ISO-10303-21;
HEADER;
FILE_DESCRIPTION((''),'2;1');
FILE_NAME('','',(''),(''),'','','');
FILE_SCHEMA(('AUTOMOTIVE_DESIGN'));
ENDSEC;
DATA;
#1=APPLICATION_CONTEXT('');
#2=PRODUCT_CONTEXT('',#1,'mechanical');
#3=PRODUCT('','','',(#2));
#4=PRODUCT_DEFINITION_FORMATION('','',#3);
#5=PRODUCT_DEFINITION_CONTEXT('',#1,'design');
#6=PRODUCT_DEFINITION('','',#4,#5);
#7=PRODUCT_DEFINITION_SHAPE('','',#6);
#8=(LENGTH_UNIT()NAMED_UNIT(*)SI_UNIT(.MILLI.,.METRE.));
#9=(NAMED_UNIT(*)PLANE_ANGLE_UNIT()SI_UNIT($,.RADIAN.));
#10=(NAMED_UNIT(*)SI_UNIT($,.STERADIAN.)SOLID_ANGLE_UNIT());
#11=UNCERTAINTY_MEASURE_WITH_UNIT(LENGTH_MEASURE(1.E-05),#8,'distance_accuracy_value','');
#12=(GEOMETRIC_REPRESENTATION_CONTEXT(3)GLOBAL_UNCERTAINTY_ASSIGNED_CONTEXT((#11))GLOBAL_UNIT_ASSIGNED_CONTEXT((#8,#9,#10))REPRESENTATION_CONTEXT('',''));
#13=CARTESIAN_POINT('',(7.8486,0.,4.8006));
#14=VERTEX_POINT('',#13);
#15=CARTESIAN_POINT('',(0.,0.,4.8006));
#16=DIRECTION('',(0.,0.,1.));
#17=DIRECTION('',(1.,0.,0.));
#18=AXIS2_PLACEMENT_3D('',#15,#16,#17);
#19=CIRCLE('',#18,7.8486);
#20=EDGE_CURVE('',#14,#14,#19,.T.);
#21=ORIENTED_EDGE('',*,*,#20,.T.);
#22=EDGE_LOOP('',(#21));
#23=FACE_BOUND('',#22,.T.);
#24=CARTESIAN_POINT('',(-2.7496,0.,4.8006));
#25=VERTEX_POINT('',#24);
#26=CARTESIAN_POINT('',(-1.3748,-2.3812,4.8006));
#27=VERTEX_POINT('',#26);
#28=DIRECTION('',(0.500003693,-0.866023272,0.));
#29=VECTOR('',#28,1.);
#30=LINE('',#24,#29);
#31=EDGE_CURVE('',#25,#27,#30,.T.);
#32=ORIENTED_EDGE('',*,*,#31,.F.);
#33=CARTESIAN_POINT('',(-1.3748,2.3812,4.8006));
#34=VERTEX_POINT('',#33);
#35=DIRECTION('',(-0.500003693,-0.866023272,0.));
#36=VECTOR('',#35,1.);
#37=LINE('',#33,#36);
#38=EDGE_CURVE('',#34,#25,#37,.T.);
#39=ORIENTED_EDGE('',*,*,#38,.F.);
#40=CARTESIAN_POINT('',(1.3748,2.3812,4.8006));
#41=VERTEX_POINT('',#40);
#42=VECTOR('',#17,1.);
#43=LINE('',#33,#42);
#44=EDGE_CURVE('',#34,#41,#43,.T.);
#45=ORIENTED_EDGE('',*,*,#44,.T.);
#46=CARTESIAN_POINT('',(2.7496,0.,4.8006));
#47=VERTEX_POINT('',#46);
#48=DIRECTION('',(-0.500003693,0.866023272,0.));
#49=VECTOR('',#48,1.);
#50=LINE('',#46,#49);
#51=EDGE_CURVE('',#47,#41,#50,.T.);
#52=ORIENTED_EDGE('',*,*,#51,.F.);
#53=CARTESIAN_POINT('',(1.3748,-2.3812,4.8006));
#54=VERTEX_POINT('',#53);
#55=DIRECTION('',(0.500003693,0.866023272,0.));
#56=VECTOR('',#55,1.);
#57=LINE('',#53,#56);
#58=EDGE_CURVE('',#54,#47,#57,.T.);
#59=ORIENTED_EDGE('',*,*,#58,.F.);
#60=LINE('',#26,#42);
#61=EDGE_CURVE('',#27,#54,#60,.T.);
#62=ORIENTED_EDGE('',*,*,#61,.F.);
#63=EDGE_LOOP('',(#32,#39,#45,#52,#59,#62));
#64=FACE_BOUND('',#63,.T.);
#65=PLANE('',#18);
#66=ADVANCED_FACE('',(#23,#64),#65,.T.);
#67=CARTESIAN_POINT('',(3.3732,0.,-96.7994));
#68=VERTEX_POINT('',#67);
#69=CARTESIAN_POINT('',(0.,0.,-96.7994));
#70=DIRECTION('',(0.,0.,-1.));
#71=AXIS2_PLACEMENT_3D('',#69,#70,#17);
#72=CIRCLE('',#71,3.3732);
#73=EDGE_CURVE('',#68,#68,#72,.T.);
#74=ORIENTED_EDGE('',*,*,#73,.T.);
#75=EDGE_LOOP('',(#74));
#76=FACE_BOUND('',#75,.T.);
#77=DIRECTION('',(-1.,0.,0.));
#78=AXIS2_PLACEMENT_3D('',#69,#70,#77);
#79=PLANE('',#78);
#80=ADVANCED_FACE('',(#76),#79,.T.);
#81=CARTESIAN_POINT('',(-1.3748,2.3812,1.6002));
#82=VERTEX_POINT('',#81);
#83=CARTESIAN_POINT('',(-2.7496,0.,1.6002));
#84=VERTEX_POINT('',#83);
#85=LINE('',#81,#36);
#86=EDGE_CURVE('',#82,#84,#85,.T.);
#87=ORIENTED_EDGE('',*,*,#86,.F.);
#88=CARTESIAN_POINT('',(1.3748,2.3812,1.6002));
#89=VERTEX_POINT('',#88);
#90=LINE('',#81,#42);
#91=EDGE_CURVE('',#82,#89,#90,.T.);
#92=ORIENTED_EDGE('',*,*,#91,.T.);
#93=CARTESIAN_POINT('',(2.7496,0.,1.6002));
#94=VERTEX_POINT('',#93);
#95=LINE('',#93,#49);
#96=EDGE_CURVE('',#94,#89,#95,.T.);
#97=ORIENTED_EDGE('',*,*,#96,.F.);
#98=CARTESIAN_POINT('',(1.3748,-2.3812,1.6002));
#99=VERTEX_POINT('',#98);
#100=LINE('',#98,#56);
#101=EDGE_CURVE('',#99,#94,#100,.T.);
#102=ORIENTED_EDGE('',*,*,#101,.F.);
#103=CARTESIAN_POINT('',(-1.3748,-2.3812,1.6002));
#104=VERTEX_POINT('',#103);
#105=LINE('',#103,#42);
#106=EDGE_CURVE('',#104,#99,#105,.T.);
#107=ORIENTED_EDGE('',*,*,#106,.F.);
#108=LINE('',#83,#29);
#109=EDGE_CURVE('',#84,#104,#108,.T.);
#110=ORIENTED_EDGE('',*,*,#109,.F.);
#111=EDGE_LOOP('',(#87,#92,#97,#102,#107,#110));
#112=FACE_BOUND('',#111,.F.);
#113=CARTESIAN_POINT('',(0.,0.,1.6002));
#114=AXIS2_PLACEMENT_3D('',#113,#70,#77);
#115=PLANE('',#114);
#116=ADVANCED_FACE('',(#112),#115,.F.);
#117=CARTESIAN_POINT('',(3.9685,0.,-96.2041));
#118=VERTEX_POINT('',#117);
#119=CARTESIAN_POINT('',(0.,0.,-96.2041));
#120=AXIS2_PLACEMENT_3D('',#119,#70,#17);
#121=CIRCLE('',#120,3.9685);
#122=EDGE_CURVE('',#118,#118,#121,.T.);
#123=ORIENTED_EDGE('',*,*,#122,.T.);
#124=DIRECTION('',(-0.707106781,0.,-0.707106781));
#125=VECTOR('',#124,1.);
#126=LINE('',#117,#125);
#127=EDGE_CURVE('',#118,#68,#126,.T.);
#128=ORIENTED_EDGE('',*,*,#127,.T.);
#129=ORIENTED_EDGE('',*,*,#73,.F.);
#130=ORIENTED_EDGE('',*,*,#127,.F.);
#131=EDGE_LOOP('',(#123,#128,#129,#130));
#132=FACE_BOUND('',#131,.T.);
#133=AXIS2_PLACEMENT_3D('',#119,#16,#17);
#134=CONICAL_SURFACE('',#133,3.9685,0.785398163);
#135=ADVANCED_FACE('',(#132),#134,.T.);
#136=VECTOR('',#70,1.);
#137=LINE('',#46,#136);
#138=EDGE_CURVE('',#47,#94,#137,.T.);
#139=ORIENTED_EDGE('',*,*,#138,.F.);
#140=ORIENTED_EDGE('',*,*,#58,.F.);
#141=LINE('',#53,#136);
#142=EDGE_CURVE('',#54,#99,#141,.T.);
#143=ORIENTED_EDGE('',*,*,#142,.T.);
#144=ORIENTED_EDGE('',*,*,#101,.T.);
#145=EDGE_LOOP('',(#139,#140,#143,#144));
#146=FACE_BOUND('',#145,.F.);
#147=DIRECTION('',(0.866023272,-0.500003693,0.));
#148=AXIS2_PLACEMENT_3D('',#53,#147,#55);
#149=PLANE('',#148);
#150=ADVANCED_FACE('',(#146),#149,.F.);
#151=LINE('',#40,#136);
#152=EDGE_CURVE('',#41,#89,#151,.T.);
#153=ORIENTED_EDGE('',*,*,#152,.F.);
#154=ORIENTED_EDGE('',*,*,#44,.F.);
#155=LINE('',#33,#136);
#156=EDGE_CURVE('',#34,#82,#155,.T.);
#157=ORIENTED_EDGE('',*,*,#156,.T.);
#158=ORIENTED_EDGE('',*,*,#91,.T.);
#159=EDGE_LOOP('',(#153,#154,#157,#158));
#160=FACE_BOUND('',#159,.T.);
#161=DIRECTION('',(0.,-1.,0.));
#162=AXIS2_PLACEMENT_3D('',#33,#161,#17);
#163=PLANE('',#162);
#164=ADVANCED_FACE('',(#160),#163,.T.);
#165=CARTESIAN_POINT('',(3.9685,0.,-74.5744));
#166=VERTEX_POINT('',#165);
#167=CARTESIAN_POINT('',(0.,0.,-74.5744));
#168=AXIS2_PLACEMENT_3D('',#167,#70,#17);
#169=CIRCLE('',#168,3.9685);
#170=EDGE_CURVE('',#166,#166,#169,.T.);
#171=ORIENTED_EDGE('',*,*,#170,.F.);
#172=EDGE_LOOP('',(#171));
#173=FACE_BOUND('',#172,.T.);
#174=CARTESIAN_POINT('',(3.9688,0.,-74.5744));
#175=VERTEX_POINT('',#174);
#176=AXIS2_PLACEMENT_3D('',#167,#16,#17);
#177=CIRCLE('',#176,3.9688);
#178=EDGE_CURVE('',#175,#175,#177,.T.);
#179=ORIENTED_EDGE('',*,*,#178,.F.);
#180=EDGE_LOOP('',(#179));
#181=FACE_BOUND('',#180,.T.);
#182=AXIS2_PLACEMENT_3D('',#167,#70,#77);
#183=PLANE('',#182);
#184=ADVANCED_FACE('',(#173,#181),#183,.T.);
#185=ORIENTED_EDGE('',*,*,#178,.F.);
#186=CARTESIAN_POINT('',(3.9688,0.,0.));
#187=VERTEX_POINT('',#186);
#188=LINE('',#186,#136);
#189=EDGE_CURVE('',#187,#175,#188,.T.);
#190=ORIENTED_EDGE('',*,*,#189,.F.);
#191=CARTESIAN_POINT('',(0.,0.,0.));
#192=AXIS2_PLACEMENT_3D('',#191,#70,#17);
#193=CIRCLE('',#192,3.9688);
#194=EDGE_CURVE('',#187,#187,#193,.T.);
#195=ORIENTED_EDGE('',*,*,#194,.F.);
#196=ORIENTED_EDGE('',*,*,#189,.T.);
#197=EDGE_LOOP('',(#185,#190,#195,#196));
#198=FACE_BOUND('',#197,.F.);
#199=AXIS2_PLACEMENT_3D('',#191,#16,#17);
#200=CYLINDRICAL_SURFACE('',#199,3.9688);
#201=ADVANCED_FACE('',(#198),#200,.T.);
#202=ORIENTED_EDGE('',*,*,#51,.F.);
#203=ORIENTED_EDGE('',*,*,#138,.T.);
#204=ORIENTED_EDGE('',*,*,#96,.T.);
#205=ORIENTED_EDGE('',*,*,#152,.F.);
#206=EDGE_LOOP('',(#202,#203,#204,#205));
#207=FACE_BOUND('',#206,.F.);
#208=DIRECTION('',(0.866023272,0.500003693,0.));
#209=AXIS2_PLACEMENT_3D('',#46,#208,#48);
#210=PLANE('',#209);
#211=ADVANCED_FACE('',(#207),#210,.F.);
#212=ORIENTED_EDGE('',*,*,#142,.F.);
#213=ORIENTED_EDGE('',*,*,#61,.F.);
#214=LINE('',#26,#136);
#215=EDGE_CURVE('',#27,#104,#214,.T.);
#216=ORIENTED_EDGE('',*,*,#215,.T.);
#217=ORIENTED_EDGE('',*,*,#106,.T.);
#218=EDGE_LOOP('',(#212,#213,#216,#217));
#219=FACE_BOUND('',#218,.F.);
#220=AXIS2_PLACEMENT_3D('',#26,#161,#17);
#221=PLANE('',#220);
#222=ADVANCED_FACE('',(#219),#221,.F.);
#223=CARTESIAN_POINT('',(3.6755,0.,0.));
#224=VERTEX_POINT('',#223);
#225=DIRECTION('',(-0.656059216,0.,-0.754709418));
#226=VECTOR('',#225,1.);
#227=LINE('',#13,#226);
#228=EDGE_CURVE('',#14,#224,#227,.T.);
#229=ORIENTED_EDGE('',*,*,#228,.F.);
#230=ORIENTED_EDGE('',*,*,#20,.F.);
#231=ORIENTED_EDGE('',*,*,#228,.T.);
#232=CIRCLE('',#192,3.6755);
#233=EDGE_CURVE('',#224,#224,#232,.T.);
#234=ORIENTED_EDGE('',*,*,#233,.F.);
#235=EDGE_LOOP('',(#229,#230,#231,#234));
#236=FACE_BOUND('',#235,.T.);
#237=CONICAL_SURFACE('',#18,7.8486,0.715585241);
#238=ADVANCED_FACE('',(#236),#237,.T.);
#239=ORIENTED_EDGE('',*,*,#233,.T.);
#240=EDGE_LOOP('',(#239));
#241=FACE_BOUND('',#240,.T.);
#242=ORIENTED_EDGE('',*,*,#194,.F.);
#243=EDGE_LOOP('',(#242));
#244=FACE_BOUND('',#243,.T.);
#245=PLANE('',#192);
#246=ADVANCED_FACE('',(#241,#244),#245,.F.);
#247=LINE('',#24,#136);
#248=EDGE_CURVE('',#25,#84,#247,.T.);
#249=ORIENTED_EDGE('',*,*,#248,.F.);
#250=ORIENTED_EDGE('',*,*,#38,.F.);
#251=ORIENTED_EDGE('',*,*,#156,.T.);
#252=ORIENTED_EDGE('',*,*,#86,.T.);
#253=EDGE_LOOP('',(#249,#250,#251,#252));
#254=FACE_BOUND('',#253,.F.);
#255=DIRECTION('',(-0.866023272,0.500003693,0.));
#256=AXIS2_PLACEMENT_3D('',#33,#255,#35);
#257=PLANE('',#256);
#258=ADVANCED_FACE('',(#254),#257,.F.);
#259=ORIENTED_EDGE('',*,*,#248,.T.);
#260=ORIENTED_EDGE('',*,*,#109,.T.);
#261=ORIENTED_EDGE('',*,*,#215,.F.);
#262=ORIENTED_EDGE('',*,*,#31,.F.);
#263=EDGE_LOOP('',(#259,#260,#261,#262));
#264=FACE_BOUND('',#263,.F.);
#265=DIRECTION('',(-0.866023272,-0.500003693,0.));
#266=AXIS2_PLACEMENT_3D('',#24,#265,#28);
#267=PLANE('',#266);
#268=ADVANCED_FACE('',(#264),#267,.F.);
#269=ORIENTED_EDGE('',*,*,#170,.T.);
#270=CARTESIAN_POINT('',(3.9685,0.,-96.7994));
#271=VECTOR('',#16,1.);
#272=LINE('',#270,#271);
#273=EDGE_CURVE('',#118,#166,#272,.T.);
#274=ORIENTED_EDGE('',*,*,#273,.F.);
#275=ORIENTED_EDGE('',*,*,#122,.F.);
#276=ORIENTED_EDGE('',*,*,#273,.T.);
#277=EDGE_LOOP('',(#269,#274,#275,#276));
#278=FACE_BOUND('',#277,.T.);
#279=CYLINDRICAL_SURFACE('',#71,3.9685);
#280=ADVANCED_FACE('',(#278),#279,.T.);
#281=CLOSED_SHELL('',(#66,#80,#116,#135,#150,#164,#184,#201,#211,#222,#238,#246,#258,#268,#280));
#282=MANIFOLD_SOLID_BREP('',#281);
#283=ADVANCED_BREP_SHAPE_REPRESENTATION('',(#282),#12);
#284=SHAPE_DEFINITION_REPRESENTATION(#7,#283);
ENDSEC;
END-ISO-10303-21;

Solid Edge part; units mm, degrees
sketch "Sketch1" plane through (0, 0, 0) normal (0, 0, 1) x (1, 0, 0)
  circle A0 centre (0, 0) radius 7.8486
  dimension "D1" = 15.6972
extrude "Protrusion1" add sketch "Sketch1" along normal blind 4.8006
sketch "Sketch2" plane through (0, 0, 0) normal (0, 0, -1) x (1, 0, 0)
  circle A0 centre (0, 0) radius 3.9688
extrude "Protrusion2" add sketch "Sketch2" along normal blind 96.7994
sketch "Sketch3" plane through (0, 0, -96.7994) normal (0, 0, -1) x (1, 0, 0)
  circle A0 centre (0, 0) radius 3.9685
extrude "Cutout1" cut sketch "Sketch3" against normal blind 22.225 flip side to cut
chamfer "Chamfer_1" distance 0.5953 angle 45 1 edges at (-3.9685, 0, -96.7994)
sketch "Sketch4" plane through (0, 0, 4.8006) normal (0, 0, 1) x (1, 0, 0)
  line L0 (-1.3748, 2.3812) -> (1.3748, 2.3812)
  line L1 (2.7496, 0) -> (1.3748, 2.3812)
  line L2 (1.3748, -2.3812) -> (2.7496, 0)
  line L3 (-1.3748, -2.3812) -> (1.3748, -2.3812)
  line L4 (-2.7496, 0) -> (-1.3748, -2.3812)
  line L5 (-1.3748, 2.3812) -> (-2.7496, 0)
  dimension "D1" = 4.7625
extrude "Cutout2" cut sketch "Sketch4" against normal blind 3.2004
sketch "Sketch5" plane through (0, 0, 0) normal (0, -1, 0) x (1, 0, 0)
  line L0 (7.8486, 4.8006) -> (3.6755, 0)
  line L1 (3.6755, 0) -> (7.8486, 0)
  line L2 (7.8486, 0) -> (7.8486, 4.8006)
revolve "RevolvedCutout1" cut sketch "Sketch5" angle 360 about axis through (0, 0, 14.0017) along (0, 0, -1)
properties part number "117320"
